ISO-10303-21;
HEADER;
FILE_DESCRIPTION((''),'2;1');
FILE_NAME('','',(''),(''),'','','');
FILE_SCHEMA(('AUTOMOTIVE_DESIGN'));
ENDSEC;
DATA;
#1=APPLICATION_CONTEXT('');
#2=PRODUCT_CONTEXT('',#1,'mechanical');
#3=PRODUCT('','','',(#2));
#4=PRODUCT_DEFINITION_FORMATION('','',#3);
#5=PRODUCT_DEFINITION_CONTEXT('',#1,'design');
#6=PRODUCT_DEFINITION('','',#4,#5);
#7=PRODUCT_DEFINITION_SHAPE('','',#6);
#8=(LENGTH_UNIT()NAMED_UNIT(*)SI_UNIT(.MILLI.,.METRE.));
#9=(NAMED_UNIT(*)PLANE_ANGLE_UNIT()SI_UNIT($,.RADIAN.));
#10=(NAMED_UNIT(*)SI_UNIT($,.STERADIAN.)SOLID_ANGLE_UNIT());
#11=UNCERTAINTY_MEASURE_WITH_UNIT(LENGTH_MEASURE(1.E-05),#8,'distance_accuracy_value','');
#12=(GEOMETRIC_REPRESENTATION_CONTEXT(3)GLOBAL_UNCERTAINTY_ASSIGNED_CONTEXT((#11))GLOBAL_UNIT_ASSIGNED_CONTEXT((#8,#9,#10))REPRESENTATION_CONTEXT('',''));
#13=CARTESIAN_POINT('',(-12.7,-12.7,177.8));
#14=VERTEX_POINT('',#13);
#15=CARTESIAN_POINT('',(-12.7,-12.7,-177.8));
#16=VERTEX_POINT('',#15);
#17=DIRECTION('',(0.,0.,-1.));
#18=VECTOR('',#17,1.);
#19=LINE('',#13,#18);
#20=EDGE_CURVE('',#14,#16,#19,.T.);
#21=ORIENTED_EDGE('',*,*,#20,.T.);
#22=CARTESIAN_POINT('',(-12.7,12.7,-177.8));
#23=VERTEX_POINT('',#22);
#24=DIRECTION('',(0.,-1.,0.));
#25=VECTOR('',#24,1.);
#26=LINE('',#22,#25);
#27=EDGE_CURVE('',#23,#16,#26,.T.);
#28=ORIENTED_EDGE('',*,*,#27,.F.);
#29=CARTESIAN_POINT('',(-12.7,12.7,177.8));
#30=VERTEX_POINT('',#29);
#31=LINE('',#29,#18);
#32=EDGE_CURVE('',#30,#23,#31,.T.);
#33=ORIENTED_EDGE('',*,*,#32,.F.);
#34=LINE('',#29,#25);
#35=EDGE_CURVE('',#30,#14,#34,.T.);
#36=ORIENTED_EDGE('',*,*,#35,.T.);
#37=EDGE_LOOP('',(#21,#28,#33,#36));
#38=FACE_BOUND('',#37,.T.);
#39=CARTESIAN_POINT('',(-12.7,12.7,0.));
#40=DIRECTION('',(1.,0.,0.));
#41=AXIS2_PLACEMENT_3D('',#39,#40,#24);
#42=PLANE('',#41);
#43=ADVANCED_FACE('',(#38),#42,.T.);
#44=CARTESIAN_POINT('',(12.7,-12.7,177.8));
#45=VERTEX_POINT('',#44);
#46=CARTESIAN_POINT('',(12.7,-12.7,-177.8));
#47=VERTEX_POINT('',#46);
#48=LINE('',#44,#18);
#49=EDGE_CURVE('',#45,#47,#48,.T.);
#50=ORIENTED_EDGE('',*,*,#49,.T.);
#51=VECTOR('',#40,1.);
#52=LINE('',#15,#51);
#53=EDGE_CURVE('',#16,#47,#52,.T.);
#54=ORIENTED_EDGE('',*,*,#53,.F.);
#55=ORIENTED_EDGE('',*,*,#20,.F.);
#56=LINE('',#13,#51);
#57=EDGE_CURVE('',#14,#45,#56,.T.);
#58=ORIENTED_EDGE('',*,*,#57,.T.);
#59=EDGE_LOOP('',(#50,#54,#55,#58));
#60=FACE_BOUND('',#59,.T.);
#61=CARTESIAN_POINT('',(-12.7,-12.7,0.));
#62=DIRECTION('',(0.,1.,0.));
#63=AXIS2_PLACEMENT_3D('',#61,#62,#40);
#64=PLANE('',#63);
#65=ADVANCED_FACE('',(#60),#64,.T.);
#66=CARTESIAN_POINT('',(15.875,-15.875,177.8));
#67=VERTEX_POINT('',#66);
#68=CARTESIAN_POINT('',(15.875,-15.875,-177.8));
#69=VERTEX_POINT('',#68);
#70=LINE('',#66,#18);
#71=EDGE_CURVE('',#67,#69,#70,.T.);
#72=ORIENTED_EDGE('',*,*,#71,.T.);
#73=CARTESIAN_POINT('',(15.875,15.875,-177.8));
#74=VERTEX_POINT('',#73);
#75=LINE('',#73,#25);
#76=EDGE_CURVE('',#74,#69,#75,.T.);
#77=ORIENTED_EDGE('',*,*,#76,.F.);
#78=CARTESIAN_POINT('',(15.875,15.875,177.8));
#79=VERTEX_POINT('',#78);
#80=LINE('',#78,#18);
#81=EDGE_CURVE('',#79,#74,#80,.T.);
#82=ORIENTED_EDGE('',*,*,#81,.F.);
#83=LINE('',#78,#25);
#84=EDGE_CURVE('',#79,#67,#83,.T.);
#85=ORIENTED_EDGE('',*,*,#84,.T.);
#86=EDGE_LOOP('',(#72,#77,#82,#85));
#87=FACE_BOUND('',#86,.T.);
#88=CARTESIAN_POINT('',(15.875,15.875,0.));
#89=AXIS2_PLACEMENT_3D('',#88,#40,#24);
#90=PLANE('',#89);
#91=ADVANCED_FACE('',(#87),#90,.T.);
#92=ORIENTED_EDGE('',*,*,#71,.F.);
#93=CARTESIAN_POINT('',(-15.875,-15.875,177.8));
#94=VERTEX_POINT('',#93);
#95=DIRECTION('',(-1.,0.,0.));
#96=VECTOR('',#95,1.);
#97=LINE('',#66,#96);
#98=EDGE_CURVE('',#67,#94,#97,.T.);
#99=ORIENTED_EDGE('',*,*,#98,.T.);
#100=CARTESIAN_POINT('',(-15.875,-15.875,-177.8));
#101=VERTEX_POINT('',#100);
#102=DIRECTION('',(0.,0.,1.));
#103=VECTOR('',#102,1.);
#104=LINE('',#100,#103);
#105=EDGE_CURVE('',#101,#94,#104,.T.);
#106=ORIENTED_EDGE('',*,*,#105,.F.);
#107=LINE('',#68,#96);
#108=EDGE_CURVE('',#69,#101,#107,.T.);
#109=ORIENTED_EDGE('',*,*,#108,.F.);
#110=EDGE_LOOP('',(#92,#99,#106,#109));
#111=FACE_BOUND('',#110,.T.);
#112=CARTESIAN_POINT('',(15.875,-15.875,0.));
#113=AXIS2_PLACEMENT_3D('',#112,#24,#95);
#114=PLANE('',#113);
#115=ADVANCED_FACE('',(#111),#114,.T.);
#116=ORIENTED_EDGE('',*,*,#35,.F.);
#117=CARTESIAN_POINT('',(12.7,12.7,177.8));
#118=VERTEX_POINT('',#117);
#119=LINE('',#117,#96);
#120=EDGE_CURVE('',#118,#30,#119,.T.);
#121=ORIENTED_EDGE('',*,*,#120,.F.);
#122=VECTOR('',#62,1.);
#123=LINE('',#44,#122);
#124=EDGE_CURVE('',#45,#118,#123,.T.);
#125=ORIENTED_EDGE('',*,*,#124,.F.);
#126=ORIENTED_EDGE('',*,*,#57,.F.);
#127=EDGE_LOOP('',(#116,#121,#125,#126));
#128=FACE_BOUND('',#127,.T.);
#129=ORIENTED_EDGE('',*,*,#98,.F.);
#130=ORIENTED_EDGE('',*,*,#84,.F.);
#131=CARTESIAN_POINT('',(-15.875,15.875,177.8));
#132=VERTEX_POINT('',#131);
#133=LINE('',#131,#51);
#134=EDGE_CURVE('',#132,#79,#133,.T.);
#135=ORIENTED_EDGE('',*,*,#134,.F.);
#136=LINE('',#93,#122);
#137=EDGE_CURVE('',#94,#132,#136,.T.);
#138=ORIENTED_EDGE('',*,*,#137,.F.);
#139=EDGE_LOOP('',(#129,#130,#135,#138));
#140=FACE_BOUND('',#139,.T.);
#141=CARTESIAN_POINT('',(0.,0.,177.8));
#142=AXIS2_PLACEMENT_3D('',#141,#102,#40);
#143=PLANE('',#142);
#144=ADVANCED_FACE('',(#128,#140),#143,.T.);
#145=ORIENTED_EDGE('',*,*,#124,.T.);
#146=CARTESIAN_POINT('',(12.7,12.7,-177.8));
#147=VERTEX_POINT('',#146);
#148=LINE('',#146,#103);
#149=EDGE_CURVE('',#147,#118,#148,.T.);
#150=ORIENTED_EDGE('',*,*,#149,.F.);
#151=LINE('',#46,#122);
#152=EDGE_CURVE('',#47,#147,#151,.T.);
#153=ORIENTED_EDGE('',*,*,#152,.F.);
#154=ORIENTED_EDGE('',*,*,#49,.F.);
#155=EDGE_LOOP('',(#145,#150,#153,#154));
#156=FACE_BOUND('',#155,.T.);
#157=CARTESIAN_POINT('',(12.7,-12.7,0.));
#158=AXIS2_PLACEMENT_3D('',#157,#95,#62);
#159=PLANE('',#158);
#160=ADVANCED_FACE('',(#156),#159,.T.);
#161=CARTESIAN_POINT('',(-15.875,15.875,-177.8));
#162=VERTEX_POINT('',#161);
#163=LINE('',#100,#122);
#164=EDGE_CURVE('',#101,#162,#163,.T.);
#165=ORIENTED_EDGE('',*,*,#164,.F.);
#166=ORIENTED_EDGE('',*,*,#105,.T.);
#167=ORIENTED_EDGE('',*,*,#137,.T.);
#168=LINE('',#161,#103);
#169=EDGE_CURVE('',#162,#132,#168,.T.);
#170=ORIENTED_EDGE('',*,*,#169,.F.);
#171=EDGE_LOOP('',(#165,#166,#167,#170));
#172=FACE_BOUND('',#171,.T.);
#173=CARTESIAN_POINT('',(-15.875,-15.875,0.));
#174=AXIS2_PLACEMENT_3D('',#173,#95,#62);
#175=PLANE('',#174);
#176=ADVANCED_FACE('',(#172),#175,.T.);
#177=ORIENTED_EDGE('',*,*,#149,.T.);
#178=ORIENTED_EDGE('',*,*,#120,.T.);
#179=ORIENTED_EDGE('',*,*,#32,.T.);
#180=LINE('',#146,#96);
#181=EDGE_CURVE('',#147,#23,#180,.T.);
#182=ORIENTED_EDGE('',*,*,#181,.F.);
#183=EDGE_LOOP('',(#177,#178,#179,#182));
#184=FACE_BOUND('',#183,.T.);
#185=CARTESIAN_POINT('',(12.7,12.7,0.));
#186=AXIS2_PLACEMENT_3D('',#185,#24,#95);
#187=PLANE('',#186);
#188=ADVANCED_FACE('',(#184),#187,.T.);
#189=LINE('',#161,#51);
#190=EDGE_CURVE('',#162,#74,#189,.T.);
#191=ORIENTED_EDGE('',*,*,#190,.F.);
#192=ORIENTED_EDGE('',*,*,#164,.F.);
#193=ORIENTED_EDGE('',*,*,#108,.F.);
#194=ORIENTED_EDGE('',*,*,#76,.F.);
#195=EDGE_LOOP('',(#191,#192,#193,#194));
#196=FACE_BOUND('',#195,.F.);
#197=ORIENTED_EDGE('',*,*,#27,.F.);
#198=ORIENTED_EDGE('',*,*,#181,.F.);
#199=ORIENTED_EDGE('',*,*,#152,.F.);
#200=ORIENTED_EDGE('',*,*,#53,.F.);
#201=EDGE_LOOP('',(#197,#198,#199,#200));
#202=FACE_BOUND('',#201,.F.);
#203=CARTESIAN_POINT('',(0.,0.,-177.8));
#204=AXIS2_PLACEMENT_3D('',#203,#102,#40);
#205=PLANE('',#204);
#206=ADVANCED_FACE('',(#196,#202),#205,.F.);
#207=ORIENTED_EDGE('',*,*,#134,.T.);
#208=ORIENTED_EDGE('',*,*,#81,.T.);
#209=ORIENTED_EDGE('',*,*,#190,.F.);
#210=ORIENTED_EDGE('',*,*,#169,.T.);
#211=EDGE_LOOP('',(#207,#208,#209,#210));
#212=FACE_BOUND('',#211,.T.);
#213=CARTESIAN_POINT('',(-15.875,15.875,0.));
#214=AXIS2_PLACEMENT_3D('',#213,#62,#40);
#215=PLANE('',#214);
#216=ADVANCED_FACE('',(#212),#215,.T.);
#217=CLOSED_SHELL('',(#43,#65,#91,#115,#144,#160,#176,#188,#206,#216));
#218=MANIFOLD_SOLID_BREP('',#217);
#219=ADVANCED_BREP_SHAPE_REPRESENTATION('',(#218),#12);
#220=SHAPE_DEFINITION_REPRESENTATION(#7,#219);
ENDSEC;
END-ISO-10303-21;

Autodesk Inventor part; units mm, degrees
ref_plane "YZ Plane" through (0, 0, 0) normal (1, 0, 0) x (0, 1, 0)
ref_plane "XZ Plane" through (0, 0, 0) normal (0, 1, 0) x (-1, 0, 0)
ref_plane "XY Plane" through (0, 0, 0) normal (0, 0, 1) x (1, 0, 0)
sketch "Sketch1" plane through (0, 0, 0) normal (0, 0, 1) x (1, 0, 0)
  line L0 (-15.875, 15.875) -> (15.875, 15.875)
  line L1 (15.875, 15.875) -> (15.875, -15.875)
  line L2 (15.875, -15.875) -> (-15.875, -15.875)
  line L3 (-15.875, -15.875) -> (-15.875, 15.875)
  line L4 (12.7, 12.7) -> (-12.7, 12.7)
  line L5 (-12.7, 12.7) -> (-12.7, -12.7)
  line L6 (-12.7, -12.7) -> (12.7, -12.7)
  line L7 (12.7, -12.7) -> (12.7, 12.7)
  point P0 (0, 0)
  point P1 (-15.875, 0)
  point P2 (0, 15.875)
  dimension "d0" = 31.75
  dimension "d1" = 3.175
extrude "Extrusion1" add sketch "Sketch1" along normal mid plane 355.6
properties part number "Handle Slide"
